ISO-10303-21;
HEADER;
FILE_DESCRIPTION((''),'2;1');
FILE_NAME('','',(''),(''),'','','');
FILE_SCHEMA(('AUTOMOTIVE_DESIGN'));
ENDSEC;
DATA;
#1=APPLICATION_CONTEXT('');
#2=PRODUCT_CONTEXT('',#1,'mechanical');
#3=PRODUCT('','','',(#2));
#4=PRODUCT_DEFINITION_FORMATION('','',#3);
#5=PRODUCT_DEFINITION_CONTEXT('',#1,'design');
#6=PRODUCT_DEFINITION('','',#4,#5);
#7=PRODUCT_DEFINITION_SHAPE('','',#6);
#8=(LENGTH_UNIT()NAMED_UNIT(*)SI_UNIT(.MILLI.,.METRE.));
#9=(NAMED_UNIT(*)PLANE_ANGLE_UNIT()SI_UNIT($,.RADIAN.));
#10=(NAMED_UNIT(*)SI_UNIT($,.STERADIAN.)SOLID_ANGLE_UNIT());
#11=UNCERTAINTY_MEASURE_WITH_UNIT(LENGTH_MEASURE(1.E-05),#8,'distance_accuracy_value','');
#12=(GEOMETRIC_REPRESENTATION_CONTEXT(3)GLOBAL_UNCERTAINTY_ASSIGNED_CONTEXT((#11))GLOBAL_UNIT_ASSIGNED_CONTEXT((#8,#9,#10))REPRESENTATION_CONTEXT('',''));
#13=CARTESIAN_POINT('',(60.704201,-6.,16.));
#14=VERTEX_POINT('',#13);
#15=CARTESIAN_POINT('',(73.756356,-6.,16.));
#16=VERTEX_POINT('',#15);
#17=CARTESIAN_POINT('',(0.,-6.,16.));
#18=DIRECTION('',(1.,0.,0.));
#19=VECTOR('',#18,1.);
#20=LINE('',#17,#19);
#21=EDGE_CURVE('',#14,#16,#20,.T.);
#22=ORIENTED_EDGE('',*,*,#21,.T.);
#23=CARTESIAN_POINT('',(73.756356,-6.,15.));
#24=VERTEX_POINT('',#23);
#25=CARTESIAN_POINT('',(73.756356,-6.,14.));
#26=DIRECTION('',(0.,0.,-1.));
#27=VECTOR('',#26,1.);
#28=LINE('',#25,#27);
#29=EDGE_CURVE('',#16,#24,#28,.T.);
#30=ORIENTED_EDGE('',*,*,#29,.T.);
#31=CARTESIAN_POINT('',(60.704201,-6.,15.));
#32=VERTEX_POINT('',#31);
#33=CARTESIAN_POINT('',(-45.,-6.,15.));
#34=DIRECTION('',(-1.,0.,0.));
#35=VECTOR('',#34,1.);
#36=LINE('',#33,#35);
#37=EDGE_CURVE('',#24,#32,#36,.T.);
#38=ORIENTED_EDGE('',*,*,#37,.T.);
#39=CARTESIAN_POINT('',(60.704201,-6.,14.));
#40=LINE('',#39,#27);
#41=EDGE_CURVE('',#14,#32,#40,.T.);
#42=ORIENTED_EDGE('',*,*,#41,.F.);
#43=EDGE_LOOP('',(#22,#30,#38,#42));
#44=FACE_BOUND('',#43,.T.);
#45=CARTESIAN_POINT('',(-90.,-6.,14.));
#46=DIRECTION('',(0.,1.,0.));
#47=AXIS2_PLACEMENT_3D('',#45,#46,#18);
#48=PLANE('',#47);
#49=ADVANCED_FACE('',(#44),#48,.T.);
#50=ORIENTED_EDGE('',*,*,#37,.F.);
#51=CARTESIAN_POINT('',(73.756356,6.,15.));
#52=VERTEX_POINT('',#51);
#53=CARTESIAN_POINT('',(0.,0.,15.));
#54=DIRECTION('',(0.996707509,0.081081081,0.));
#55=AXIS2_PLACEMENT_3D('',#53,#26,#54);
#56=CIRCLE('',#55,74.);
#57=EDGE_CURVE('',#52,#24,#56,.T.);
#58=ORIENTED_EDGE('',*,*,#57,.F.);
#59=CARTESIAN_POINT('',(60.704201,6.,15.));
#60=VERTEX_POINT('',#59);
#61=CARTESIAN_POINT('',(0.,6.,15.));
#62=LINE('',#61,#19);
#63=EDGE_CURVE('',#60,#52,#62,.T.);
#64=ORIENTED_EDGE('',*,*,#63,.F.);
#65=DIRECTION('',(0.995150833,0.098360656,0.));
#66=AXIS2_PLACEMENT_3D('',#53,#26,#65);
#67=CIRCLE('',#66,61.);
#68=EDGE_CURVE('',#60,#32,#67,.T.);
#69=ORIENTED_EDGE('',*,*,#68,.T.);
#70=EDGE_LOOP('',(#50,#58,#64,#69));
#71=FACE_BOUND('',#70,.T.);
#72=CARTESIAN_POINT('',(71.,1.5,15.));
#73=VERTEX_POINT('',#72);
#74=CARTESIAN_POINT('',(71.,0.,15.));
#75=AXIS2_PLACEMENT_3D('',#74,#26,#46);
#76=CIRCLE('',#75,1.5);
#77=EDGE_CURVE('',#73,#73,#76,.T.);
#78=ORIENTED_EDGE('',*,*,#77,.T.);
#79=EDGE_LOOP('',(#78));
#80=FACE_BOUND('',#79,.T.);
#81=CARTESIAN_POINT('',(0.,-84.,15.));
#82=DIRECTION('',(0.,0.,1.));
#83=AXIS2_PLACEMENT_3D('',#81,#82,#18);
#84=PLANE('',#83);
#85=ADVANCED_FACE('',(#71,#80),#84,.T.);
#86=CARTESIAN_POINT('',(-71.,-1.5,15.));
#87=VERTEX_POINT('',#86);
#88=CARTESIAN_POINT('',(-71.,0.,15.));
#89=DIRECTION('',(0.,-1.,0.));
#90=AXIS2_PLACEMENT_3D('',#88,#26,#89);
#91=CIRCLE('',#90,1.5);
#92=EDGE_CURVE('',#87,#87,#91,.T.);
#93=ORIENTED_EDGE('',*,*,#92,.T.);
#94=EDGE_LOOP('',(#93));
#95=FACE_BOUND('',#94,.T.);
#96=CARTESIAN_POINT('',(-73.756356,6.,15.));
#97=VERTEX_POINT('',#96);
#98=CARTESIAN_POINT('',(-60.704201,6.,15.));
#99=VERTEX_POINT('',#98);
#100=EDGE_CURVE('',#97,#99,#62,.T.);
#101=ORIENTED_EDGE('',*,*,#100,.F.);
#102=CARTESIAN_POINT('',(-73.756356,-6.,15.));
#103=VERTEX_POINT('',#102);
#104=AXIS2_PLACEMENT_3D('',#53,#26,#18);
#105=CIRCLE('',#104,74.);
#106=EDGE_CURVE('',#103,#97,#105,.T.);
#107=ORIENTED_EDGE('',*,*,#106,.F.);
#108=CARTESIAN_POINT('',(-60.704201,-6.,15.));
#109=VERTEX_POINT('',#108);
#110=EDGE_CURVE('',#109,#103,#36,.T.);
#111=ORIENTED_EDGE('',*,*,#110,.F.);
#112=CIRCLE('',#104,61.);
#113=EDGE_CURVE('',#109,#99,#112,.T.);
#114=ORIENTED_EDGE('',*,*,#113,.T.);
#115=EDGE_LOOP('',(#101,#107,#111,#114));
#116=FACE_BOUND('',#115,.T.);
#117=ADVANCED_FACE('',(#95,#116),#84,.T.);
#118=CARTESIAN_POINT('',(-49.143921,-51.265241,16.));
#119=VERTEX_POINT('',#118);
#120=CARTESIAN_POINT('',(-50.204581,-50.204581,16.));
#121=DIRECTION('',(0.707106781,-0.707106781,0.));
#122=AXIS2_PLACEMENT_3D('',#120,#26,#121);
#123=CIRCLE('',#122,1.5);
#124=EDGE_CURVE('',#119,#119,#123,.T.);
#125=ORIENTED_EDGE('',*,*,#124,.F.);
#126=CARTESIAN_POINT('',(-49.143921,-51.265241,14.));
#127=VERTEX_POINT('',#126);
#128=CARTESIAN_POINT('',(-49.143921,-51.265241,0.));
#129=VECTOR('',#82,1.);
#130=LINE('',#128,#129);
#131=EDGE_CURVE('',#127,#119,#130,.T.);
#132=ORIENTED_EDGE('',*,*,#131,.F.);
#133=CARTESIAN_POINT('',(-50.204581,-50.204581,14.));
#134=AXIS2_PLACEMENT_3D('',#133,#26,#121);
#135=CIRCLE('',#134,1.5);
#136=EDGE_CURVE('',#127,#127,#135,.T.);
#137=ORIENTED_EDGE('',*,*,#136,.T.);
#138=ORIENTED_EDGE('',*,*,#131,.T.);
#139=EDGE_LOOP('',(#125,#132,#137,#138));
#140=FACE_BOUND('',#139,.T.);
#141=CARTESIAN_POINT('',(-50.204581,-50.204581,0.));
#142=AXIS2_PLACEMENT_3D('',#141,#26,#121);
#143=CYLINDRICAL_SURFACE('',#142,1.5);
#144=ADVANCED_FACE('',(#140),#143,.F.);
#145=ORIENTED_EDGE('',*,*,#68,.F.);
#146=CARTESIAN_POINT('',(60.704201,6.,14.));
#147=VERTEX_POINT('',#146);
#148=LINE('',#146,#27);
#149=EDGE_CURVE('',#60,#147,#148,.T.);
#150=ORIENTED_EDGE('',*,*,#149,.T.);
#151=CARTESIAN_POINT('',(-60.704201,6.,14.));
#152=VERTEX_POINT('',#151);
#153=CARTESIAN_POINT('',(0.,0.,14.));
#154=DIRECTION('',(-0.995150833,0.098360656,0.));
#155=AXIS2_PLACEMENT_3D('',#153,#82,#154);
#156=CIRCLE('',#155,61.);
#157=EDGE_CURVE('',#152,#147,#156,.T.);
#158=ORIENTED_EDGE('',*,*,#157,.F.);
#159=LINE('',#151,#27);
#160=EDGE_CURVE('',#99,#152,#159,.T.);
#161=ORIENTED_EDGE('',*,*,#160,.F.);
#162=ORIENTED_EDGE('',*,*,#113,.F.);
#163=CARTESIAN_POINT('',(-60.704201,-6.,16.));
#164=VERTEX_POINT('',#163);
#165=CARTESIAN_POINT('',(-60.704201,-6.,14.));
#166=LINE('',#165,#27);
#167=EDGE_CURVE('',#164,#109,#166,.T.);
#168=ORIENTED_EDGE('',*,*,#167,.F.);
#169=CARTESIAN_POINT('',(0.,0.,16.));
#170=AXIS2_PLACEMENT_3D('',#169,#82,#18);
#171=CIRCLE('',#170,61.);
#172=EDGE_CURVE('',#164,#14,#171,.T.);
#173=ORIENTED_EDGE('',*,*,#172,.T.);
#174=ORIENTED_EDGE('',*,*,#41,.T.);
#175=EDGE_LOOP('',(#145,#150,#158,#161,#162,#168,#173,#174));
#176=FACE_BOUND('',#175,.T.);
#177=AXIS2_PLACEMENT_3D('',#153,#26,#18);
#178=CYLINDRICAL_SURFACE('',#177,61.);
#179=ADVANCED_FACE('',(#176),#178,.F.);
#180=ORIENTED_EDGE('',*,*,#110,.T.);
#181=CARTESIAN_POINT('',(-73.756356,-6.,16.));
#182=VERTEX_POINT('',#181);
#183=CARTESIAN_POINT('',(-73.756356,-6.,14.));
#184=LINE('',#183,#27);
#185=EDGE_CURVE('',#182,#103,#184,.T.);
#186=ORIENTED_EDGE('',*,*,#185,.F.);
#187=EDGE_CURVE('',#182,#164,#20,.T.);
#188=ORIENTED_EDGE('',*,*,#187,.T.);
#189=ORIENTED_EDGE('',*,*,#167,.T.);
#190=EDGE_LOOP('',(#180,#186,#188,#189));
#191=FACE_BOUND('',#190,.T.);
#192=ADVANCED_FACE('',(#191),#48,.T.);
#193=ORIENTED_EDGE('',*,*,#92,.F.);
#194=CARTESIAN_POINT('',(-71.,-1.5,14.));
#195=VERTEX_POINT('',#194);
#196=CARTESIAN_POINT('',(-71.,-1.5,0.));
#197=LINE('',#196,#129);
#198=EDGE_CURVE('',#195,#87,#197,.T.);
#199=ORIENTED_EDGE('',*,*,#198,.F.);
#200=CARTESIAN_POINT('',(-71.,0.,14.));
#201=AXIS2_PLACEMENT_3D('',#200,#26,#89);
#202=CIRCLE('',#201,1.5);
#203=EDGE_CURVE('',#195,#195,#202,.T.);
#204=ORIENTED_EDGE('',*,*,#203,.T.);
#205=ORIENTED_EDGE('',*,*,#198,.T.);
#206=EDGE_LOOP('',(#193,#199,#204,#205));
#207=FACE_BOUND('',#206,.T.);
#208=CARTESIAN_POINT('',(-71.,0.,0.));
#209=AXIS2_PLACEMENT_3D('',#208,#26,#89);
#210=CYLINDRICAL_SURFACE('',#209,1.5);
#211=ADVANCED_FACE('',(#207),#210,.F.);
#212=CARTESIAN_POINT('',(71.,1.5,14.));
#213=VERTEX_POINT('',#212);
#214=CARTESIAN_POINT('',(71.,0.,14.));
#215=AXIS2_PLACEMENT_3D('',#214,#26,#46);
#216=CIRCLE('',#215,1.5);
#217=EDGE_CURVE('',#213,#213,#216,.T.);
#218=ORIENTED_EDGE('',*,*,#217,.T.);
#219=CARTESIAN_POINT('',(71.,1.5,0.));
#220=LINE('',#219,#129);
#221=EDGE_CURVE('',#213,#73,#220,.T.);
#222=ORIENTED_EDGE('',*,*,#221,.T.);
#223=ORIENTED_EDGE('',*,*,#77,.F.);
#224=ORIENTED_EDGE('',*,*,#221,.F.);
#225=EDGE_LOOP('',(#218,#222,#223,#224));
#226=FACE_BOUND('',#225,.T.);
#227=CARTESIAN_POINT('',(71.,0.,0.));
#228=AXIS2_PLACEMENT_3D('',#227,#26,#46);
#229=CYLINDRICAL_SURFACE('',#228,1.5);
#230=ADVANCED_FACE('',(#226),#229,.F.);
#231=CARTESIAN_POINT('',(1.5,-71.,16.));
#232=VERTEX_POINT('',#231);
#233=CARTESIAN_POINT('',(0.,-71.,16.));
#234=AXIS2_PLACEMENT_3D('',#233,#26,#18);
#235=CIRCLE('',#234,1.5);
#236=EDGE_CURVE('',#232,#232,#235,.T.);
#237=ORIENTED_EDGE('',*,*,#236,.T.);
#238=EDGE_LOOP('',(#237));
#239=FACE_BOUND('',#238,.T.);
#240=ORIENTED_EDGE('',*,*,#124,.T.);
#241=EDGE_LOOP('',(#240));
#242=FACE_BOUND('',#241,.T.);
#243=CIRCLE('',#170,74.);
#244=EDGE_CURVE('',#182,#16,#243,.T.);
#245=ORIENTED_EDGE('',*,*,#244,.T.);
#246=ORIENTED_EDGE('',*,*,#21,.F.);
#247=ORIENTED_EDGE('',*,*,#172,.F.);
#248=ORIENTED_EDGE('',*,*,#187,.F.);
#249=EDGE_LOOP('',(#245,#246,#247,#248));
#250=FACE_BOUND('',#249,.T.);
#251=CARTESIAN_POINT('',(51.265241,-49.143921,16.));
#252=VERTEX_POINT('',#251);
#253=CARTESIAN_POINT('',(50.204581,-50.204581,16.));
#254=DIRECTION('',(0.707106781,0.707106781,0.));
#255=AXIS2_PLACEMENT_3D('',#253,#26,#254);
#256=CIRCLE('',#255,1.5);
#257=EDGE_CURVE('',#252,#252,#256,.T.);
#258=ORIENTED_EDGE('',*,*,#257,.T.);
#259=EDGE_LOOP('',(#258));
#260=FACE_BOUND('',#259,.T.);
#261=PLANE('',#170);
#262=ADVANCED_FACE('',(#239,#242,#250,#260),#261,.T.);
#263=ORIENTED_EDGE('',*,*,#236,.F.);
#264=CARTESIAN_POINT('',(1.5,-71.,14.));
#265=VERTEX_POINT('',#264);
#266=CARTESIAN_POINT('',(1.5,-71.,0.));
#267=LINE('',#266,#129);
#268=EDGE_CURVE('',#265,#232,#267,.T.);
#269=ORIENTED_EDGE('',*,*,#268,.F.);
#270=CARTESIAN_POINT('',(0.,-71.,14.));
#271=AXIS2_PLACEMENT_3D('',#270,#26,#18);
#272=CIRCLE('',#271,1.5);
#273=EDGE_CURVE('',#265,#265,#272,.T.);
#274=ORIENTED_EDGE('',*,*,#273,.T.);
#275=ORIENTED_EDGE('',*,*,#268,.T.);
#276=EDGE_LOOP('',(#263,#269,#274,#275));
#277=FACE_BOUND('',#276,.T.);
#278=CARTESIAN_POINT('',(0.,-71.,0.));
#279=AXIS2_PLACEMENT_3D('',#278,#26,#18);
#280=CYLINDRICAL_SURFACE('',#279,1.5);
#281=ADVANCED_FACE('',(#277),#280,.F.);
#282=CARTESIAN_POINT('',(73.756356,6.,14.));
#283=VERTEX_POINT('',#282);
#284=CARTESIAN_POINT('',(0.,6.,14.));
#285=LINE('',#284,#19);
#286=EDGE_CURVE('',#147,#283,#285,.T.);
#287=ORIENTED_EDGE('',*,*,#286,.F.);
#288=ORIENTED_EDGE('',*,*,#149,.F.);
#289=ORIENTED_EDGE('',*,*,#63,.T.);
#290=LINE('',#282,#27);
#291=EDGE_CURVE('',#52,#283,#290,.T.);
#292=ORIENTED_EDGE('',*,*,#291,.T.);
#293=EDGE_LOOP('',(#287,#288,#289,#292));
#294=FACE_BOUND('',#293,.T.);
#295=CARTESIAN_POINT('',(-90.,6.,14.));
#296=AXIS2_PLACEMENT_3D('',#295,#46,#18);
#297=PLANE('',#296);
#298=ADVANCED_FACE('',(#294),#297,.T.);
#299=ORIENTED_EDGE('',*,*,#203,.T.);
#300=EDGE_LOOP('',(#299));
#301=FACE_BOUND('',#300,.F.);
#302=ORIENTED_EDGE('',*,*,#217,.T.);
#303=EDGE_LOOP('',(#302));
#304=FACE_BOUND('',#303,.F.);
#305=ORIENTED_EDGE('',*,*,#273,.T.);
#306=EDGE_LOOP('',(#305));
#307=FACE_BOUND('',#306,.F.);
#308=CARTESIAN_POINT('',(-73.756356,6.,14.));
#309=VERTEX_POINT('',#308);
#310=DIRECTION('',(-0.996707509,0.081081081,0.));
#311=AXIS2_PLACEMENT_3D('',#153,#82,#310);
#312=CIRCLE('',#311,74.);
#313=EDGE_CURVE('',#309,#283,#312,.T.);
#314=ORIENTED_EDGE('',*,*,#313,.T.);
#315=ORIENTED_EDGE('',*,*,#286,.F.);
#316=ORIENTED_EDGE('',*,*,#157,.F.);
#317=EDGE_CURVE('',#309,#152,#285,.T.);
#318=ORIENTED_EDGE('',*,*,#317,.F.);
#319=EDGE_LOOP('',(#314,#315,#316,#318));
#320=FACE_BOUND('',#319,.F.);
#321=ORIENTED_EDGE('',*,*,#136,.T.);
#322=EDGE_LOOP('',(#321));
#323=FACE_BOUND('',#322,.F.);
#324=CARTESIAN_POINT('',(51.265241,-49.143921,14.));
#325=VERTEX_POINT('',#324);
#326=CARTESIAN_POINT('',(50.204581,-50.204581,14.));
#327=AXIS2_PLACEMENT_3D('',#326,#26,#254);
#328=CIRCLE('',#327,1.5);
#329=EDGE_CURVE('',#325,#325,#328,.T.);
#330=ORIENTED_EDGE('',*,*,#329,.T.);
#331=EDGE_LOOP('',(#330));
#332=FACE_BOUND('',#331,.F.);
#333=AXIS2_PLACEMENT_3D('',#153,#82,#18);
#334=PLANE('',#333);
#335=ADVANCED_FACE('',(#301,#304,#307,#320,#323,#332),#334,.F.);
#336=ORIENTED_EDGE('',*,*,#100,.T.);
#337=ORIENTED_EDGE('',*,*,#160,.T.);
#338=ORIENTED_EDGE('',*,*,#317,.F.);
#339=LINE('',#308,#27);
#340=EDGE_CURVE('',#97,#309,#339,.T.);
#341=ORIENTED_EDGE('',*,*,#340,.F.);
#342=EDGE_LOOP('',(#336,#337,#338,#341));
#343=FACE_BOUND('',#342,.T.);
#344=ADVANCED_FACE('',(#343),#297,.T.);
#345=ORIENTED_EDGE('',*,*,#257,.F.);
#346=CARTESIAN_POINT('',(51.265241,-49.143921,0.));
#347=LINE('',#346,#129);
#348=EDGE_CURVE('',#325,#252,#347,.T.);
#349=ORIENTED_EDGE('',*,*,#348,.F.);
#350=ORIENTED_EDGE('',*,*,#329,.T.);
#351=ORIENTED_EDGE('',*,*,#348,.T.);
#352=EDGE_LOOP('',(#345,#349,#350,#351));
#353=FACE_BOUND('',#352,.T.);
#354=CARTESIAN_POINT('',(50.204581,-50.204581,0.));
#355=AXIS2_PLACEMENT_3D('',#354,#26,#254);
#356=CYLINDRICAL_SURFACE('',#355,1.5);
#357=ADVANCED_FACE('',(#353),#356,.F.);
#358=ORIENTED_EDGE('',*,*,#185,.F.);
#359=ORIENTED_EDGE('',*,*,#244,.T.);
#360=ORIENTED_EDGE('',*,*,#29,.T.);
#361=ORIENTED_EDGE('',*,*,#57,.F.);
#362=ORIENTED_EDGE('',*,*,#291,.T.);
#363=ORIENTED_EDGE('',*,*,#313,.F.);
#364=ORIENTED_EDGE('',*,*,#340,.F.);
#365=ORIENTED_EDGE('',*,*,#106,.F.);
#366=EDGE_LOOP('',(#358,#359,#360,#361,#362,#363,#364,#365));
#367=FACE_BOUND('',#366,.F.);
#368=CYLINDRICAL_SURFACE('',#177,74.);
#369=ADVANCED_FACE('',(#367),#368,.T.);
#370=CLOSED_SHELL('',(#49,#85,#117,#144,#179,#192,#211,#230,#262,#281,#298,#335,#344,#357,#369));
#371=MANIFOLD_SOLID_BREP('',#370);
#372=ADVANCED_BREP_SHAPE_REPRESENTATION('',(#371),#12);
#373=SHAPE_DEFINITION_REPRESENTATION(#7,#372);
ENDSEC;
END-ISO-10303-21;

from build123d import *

# Parameters (mm, degrees)
BOX002_W                    = 180
BOX002_H                    = 180
BOX002_DEPTH                = 2
BOX003_W                    = 180
BOX003_H                    = 180
BOX003_DEPTH                = 1
CYLINDER505_R               = 1.5
CYLINDER505_DEPTH           = 60
CYLINDER505_PLACEMENT_ANGLE = 45
CYLINDER504_R               = 1.5
CYLINDER504_DEPTH           = 60
CYLINDER507_R               = 1.5
CYLINDER507_DEPTH           = 60
CYLINDER507_PLACEMENT_ANGLE = 135
CYLINDER506_R               = 1.5
CYLINDER506_DEPTH           = 60
CYLINDER506_PLACEMENT_ANGLE = 225
CYLINDER502_R               = 1.5
CYLINDER502_DEPTH           = 60
CYLINDER501_R               = 1.5
CYLINDER501_DEPTH           = 60
CYLINDER501_PLACEMENT_ANGLE = 45
CYLINDER503_R               = 1.5
CYLINDER503_DEPTH           = 60
TUBE030_R                   = 74
TUBE030_R_2                 = 61
TUBE030_DEPTH               = 2


with BuildPart() as krychle002:
    # Box002 → Box002 (new body)
    with BuildSketch(Plane(origin=(-90, -186, 14), x_dir=(1, 0, 0), z_dir=(0, 0, 1))):
        with Locations((90, 90)):
            Rectangle(BOX002_W, BOX002_H)
    extrude(amount=BOX002_DEPTH)


with BuildPart() as fusion:
    # Box003 → Box003 (new body)
    with BuildSketch(Plane(origin=(-90, -174, 14), x_dir=(1, 0, 0), z_dir=(0, 0, 1))):
        with Locations((90, 90)):
            Rectangle(BOX003_W, BOX003_H)
    extrude(amount=BOX003_DEPTH)

    # Fusion: union Krychle002
    add(krychle002.part)


with BuildPart() as v_lec505:
    # Cylinder505 → Cylinder505 (new body)
    with BuildSketch(Plane.XY):
        Circle(CYLINDER505_R)
    extrude(amount=CYLINDER505_DEPTH)


with BuildPart() as v_lec505_1:
    # Cylinder505 placement: moved
    add(v_lec505.part.moved(Location((50.204581, -50.204581, 0))).rotate(Axis((50.204581, -50.204581, 0), (0, 0, 1)), CYLINDER505_PLACEMENT_ANGLE))


with BuildPart() as v_lec504:
    # Cylinder504 → Cylinder504 (new body)
    with BuildSketch(Plane(origin=(71, 0, 0), x_dir=(0, 1, 0), z_dir=(0, 0, 1))):
        Circle(CYLINDER504_R)
    extrude(amount=CYLINDER504_DEPTH)


with BuildPart() as v_lec507:
    # Cylinder507 → Cylinder507 (new body)
    with BuildSketch(Plane.XY):
        Circle(CYLINDER507_R)
    extrude(amount=CYLINDER507_DEPTH)


with BuildPart() as v_lec507_1:
    # Cylinder507 placement: moved
    add(v_lec507.part.moved(Location((50.204581, 50.204581, 0))).rotate(Axis((50.204581, 50.204581, 0), (0, 0, 1)), CYLINDER507_PLACEMENT_ANGLE))


with BuildPart() as v_lec506:
    # Cylinder506 → Cylinder506 (new body)
    with BuildSketch(Plane.XY):
        Circle(CYLINDER506_R)
    extrude(amount=CYLINDER506_DEPTH)


with BuildPart() as v_lec506_1:
    # Cylinder506 placement: moved
    add(v_lec506.part.moved(Location((-50.204581, 50.204581, 0))).rotate(Axis((-50.204581, 50.204581, 0), (0, 0, 1)), CYLINDER506_PLACEMENT_ANGLE))


with BuildPart() as v_lec502:
    # Cylinder502 → Cylinder502 (new body)
    with BuildSketch(Plane(origin=(-71, 0, 0), x_dir=(0, -1, 0), z_dir=(0, 0, 1))):
        Circle(CYLINDER502_R)
    extrude(amount=CYLINDER502_DEPTH)


with BuildPart() as v_lec501:
    # Cylinder501 → Cylinder501 (new body)
    with BuildSketch(Plane.XY):
        Circle(CYLINDER501_R)
    extrude(amount=CYLINDER501_DEPTH)


with BuildPart() as v_lec501_1:
    # Cylinder501 placement: moved
    add(v_lec501.part.moved(Location((-50.204581, -50.204581, 0))).rotate(Axis((-50.204581, -50.204581, 0), (0, 0, -1)), CYLINDER501_PLACEMENT_ANGLE))


with BuildPart() as compound331:
    # Cylinder503 → Cylinder503 (new body)
    with BuildSketch(Plane(origin=(0, -71, 0), x_dir=(1, 0, 0), z_dir=(0, 0, 1))):
        Circle(CYLINDER503_R)
    extrude(amount=CYLINDER503_DEPTH)

    # Compound331: union Válec505, Válec504, Válec507, Válec506, Válec502, Válec501
    add(v_lec505_1.part)
    add(v_lec504.part)
    add(v_lec507_1.part)
    add(v_lec506_1.part)
    add(v_lec502.part)
    add(v_lec501_1.part)


with BuildPart() as bazovina_part_g2:
    # Tube030 → Tube030 (new body)
    with BuildSketch(Plane.XY.offset(14)):
        Circle(TUBE030_R)
        Circle(TUBE030_R_2, mode=Mode.SUBTRACT)
    extrude(amount=TUBE030_DEPTH)

    # Cut205: cut Compound331
    add(compound331.part, mode=Mode.SUBTRACT)

    # Common: intersect Fusion
    add(fusion.part, mode=Mode.INTERSECT)


solid = bazovina_part_g2.part
